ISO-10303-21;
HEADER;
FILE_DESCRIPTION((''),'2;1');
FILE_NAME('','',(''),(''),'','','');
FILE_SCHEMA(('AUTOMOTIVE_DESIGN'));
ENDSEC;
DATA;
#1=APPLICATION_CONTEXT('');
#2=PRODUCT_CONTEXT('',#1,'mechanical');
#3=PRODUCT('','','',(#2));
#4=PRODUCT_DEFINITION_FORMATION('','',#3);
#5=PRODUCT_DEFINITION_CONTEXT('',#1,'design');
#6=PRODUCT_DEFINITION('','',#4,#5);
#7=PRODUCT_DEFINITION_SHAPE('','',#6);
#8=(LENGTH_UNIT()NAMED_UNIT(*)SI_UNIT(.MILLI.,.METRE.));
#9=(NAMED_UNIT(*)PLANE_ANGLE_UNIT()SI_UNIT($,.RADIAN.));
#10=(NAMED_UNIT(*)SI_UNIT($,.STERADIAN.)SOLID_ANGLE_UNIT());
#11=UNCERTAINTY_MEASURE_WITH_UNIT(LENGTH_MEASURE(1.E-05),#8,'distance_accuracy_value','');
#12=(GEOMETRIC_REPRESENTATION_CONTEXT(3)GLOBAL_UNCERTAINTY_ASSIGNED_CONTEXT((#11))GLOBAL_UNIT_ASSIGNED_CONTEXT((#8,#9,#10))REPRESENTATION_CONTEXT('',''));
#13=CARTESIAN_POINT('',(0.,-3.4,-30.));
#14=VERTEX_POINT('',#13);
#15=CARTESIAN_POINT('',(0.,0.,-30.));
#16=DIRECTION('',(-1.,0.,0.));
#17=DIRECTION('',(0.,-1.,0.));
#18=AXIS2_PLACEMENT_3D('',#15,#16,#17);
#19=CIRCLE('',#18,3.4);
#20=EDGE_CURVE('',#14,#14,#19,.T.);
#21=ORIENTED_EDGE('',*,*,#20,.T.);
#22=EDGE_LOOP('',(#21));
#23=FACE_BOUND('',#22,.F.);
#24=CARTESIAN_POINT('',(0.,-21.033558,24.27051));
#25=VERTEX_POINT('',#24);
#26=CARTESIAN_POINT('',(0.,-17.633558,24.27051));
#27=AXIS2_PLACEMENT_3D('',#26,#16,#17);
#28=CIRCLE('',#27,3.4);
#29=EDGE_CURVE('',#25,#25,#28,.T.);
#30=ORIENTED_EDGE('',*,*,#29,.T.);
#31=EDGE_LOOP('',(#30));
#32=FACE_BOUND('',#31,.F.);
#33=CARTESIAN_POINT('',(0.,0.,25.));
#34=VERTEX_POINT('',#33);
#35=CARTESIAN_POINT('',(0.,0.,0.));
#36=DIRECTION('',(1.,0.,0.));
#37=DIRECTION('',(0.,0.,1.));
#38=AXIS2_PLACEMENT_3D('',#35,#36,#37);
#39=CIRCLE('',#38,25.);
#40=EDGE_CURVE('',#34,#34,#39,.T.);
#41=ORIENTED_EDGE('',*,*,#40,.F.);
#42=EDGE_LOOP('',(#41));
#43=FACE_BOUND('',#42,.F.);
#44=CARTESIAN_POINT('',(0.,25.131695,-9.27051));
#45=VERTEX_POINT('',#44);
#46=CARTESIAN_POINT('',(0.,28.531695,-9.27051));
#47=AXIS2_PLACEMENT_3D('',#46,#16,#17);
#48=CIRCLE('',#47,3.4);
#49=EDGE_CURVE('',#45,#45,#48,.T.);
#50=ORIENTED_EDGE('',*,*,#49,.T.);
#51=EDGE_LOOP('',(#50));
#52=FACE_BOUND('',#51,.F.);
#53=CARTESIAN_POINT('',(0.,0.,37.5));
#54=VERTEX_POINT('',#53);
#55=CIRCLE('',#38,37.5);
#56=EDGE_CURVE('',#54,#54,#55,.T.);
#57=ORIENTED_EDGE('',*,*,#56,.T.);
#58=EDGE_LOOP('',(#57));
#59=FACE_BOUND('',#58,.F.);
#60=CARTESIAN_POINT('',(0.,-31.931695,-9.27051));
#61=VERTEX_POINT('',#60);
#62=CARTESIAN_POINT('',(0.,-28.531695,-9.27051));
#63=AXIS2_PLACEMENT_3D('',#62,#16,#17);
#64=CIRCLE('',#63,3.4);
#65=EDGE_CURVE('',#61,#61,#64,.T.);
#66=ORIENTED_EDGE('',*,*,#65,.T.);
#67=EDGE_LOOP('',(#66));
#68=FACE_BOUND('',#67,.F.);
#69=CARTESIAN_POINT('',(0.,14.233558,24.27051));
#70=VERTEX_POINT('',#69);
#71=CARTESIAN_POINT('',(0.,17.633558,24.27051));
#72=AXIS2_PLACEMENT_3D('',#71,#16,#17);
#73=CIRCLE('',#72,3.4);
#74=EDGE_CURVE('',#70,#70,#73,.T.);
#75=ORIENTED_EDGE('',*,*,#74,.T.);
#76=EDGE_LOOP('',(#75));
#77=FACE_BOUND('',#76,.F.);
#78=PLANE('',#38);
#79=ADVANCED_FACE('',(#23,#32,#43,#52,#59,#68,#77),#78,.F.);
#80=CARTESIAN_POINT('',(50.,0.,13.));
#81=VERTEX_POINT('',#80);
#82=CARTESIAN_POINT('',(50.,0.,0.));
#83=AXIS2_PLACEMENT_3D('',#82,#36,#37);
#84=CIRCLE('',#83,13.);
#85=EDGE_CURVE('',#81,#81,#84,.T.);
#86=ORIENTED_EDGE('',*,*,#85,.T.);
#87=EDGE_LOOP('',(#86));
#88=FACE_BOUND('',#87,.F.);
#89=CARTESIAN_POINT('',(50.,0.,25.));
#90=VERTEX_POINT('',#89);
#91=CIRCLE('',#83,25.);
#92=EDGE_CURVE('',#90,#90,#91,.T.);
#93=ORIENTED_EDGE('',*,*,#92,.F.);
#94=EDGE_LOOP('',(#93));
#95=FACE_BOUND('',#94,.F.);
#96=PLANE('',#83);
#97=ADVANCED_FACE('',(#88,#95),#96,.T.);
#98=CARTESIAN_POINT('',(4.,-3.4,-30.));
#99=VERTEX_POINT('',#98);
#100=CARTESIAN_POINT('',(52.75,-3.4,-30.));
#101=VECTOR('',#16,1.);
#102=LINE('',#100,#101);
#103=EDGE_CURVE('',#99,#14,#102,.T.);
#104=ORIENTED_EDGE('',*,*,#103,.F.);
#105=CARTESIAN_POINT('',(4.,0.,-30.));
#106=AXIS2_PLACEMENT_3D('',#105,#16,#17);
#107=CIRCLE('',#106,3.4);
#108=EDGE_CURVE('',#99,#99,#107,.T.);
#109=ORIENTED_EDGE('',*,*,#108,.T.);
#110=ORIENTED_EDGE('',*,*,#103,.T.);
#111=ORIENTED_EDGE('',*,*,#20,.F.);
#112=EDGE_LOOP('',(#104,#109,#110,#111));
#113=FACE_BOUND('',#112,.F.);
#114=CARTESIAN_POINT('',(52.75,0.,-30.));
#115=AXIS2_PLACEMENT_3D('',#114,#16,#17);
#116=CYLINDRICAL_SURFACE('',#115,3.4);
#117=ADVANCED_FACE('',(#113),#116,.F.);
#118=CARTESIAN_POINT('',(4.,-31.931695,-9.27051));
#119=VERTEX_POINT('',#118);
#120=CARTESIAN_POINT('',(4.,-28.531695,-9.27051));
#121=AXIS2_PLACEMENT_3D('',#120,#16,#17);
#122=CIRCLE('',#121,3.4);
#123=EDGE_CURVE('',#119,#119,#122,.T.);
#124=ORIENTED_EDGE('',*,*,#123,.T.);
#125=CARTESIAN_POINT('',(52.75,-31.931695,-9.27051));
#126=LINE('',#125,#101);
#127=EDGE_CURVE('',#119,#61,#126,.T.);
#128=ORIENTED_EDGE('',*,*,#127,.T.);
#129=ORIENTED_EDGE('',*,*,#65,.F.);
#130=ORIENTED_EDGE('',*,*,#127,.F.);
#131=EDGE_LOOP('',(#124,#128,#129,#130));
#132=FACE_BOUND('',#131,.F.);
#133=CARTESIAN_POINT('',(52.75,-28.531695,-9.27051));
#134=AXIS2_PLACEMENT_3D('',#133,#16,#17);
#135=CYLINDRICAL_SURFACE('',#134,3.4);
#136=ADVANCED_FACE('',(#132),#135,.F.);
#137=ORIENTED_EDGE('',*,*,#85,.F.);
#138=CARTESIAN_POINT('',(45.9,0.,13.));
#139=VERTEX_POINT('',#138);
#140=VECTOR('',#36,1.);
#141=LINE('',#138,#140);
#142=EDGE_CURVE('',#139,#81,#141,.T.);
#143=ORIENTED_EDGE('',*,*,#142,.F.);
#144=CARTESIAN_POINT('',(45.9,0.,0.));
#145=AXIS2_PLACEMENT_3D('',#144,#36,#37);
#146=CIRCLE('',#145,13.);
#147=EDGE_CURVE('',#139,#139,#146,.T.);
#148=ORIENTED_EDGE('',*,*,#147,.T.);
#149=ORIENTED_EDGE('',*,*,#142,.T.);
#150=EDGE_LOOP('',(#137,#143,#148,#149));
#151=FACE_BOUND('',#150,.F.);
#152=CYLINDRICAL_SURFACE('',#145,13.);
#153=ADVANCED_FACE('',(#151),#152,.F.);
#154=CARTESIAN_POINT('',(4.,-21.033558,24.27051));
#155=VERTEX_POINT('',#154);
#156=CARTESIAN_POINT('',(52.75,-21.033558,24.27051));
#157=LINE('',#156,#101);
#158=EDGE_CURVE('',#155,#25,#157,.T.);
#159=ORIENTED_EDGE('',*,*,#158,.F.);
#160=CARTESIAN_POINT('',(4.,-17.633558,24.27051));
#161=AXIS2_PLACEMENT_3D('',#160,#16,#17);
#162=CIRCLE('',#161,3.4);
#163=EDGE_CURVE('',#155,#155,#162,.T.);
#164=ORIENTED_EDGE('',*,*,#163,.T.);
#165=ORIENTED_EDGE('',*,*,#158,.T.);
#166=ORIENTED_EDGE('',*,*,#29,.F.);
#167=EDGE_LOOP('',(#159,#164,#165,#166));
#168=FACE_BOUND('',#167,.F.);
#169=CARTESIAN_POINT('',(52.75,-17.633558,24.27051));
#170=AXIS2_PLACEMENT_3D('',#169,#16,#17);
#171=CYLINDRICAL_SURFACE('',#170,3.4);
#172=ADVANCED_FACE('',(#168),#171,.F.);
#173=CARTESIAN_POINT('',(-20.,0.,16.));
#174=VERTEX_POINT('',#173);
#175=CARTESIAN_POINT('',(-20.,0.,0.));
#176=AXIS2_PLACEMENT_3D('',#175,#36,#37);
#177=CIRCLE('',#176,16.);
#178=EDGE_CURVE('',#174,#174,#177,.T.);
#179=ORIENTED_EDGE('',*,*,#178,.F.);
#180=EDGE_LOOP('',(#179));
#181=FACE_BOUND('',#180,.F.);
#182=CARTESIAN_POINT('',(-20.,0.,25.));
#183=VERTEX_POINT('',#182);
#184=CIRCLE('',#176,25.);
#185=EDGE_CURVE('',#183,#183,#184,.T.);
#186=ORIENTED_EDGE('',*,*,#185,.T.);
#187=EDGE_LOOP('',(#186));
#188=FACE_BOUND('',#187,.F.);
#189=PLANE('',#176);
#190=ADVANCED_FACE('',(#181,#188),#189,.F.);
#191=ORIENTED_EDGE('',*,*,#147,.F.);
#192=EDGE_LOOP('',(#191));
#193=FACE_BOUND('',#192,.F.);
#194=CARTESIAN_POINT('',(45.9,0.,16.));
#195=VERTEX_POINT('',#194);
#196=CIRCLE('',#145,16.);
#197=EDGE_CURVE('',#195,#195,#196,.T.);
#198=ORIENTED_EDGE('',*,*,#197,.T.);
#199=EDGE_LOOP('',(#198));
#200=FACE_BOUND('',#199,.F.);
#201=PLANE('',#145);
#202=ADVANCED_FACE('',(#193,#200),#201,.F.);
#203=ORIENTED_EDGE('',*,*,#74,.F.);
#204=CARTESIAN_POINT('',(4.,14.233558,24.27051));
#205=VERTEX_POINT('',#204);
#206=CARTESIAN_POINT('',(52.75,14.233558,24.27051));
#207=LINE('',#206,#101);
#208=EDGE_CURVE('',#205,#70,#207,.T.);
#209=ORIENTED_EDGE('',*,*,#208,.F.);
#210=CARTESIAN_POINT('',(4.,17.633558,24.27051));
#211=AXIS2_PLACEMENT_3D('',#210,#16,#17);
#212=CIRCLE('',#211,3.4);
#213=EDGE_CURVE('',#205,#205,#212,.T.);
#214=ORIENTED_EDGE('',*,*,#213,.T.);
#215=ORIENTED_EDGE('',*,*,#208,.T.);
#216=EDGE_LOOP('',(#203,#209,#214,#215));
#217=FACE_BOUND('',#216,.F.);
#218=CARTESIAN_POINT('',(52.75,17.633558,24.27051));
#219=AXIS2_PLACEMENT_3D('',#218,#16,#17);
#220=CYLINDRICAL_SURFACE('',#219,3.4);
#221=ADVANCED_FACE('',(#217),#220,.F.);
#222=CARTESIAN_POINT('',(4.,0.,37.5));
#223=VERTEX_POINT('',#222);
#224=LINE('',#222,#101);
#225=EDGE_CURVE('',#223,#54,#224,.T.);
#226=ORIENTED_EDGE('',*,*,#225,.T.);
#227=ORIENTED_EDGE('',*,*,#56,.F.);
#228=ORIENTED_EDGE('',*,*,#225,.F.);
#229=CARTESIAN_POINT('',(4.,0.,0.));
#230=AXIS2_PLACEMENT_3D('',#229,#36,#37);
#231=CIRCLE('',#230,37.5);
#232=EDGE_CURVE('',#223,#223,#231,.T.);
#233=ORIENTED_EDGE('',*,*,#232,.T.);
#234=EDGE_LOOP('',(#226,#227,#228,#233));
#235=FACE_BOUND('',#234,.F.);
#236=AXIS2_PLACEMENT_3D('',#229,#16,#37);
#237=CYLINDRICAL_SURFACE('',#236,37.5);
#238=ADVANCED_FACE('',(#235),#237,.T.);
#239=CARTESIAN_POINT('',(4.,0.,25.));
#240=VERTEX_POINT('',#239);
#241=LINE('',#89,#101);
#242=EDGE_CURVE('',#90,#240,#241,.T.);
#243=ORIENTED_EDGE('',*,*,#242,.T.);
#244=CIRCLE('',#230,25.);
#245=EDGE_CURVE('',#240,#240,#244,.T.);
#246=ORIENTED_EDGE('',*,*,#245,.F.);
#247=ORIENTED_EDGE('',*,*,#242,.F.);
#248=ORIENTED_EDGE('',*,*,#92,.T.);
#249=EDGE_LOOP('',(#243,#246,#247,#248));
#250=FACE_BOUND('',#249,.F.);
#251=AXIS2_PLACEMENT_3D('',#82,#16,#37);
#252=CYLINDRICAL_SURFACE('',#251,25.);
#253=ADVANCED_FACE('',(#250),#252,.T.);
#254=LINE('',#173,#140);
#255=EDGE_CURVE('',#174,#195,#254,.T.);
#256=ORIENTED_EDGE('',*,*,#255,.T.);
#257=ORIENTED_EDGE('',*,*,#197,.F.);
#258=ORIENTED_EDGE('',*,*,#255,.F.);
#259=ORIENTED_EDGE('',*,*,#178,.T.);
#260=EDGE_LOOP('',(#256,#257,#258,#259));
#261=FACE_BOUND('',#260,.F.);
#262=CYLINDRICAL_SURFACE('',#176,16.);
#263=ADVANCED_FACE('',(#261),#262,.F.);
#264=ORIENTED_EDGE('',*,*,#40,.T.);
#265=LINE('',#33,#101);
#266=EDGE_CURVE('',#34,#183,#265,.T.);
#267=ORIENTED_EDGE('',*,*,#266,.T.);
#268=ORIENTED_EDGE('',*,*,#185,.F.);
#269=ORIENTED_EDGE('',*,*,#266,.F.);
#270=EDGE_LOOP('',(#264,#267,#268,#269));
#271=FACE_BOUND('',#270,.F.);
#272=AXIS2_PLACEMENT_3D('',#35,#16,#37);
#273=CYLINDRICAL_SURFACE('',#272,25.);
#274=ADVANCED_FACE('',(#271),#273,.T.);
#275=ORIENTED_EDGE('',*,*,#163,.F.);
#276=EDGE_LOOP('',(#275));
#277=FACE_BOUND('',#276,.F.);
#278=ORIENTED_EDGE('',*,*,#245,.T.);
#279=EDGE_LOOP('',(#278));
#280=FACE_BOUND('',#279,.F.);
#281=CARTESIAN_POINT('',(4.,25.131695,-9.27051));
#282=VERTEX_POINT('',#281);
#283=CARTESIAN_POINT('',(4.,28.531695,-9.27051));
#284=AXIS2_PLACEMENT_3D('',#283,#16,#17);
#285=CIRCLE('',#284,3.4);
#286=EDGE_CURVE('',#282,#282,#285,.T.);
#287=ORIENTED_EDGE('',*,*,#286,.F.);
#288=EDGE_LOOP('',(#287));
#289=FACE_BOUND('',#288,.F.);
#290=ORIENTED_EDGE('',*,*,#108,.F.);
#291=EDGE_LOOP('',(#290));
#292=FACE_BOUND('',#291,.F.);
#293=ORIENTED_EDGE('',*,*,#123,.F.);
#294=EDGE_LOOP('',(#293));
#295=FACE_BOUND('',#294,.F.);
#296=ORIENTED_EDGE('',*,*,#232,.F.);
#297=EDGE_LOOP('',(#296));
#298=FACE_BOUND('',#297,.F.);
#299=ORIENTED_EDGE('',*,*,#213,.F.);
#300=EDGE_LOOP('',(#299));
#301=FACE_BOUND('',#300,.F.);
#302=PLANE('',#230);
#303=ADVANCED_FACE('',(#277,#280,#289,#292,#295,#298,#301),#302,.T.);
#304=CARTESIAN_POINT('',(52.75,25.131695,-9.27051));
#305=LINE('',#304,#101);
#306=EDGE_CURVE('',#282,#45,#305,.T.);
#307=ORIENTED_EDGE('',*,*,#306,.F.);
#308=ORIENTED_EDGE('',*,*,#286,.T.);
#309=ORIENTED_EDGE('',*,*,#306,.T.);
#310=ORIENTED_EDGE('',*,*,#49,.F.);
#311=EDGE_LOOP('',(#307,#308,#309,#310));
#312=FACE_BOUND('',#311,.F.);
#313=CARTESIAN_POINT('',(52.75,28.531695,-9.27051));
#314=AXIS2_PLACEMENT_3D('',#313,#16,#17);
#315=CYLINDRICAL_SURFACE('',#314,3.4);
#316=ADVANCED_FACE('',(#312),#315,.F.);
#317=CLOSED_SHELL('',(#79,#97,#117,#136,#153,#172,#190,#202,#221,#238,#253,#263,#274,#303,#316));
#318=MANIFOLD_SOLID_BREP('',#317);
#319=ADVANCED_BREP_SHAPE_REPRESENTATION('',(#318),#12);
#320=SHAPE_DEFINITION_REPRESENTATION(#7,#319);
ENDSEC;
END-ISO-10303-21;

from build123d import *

# Parameters (mm, degrees)
F3_D     = 6.8
F3_DEPTH = 48.75
F3_TIP   = 2.0429261047


with BuildPart() as f1:
    # F0 (on Front) → F1 (revolve)
    with BuildSketch(Plane.XZ):
        Polygon((4, 37.5), (0, 37.5), (0, 25), (-20, 25), (-20, 16), (45.9, 16), (45.9, 13), (50, 13), (50, 25), (4, 25), align=None)
    revolve(axis=Axis((40.2727089822, 0, 0), (1, 0, 0)))

    # F3
    with Locations(Plane.YZ.offset(4)):
        with Locations((0, -30), (-28.5316954889, -9.2705098312), (17.6335575688, 24.2705098312), (-17.6335575688, 24.2705098312), (28.5316954889, -9.2705098312)):
            Hole(F3_D / 2, depth=F3_DEPTH)
            with Locations((0, 0, -(F3_DEPTH + F3_TIP / 2))):  # 118° drill point
                Cone(0, F3_D / 2, F3_TIP, mode=Mode.SUBTRACT)


solid = f1.part
